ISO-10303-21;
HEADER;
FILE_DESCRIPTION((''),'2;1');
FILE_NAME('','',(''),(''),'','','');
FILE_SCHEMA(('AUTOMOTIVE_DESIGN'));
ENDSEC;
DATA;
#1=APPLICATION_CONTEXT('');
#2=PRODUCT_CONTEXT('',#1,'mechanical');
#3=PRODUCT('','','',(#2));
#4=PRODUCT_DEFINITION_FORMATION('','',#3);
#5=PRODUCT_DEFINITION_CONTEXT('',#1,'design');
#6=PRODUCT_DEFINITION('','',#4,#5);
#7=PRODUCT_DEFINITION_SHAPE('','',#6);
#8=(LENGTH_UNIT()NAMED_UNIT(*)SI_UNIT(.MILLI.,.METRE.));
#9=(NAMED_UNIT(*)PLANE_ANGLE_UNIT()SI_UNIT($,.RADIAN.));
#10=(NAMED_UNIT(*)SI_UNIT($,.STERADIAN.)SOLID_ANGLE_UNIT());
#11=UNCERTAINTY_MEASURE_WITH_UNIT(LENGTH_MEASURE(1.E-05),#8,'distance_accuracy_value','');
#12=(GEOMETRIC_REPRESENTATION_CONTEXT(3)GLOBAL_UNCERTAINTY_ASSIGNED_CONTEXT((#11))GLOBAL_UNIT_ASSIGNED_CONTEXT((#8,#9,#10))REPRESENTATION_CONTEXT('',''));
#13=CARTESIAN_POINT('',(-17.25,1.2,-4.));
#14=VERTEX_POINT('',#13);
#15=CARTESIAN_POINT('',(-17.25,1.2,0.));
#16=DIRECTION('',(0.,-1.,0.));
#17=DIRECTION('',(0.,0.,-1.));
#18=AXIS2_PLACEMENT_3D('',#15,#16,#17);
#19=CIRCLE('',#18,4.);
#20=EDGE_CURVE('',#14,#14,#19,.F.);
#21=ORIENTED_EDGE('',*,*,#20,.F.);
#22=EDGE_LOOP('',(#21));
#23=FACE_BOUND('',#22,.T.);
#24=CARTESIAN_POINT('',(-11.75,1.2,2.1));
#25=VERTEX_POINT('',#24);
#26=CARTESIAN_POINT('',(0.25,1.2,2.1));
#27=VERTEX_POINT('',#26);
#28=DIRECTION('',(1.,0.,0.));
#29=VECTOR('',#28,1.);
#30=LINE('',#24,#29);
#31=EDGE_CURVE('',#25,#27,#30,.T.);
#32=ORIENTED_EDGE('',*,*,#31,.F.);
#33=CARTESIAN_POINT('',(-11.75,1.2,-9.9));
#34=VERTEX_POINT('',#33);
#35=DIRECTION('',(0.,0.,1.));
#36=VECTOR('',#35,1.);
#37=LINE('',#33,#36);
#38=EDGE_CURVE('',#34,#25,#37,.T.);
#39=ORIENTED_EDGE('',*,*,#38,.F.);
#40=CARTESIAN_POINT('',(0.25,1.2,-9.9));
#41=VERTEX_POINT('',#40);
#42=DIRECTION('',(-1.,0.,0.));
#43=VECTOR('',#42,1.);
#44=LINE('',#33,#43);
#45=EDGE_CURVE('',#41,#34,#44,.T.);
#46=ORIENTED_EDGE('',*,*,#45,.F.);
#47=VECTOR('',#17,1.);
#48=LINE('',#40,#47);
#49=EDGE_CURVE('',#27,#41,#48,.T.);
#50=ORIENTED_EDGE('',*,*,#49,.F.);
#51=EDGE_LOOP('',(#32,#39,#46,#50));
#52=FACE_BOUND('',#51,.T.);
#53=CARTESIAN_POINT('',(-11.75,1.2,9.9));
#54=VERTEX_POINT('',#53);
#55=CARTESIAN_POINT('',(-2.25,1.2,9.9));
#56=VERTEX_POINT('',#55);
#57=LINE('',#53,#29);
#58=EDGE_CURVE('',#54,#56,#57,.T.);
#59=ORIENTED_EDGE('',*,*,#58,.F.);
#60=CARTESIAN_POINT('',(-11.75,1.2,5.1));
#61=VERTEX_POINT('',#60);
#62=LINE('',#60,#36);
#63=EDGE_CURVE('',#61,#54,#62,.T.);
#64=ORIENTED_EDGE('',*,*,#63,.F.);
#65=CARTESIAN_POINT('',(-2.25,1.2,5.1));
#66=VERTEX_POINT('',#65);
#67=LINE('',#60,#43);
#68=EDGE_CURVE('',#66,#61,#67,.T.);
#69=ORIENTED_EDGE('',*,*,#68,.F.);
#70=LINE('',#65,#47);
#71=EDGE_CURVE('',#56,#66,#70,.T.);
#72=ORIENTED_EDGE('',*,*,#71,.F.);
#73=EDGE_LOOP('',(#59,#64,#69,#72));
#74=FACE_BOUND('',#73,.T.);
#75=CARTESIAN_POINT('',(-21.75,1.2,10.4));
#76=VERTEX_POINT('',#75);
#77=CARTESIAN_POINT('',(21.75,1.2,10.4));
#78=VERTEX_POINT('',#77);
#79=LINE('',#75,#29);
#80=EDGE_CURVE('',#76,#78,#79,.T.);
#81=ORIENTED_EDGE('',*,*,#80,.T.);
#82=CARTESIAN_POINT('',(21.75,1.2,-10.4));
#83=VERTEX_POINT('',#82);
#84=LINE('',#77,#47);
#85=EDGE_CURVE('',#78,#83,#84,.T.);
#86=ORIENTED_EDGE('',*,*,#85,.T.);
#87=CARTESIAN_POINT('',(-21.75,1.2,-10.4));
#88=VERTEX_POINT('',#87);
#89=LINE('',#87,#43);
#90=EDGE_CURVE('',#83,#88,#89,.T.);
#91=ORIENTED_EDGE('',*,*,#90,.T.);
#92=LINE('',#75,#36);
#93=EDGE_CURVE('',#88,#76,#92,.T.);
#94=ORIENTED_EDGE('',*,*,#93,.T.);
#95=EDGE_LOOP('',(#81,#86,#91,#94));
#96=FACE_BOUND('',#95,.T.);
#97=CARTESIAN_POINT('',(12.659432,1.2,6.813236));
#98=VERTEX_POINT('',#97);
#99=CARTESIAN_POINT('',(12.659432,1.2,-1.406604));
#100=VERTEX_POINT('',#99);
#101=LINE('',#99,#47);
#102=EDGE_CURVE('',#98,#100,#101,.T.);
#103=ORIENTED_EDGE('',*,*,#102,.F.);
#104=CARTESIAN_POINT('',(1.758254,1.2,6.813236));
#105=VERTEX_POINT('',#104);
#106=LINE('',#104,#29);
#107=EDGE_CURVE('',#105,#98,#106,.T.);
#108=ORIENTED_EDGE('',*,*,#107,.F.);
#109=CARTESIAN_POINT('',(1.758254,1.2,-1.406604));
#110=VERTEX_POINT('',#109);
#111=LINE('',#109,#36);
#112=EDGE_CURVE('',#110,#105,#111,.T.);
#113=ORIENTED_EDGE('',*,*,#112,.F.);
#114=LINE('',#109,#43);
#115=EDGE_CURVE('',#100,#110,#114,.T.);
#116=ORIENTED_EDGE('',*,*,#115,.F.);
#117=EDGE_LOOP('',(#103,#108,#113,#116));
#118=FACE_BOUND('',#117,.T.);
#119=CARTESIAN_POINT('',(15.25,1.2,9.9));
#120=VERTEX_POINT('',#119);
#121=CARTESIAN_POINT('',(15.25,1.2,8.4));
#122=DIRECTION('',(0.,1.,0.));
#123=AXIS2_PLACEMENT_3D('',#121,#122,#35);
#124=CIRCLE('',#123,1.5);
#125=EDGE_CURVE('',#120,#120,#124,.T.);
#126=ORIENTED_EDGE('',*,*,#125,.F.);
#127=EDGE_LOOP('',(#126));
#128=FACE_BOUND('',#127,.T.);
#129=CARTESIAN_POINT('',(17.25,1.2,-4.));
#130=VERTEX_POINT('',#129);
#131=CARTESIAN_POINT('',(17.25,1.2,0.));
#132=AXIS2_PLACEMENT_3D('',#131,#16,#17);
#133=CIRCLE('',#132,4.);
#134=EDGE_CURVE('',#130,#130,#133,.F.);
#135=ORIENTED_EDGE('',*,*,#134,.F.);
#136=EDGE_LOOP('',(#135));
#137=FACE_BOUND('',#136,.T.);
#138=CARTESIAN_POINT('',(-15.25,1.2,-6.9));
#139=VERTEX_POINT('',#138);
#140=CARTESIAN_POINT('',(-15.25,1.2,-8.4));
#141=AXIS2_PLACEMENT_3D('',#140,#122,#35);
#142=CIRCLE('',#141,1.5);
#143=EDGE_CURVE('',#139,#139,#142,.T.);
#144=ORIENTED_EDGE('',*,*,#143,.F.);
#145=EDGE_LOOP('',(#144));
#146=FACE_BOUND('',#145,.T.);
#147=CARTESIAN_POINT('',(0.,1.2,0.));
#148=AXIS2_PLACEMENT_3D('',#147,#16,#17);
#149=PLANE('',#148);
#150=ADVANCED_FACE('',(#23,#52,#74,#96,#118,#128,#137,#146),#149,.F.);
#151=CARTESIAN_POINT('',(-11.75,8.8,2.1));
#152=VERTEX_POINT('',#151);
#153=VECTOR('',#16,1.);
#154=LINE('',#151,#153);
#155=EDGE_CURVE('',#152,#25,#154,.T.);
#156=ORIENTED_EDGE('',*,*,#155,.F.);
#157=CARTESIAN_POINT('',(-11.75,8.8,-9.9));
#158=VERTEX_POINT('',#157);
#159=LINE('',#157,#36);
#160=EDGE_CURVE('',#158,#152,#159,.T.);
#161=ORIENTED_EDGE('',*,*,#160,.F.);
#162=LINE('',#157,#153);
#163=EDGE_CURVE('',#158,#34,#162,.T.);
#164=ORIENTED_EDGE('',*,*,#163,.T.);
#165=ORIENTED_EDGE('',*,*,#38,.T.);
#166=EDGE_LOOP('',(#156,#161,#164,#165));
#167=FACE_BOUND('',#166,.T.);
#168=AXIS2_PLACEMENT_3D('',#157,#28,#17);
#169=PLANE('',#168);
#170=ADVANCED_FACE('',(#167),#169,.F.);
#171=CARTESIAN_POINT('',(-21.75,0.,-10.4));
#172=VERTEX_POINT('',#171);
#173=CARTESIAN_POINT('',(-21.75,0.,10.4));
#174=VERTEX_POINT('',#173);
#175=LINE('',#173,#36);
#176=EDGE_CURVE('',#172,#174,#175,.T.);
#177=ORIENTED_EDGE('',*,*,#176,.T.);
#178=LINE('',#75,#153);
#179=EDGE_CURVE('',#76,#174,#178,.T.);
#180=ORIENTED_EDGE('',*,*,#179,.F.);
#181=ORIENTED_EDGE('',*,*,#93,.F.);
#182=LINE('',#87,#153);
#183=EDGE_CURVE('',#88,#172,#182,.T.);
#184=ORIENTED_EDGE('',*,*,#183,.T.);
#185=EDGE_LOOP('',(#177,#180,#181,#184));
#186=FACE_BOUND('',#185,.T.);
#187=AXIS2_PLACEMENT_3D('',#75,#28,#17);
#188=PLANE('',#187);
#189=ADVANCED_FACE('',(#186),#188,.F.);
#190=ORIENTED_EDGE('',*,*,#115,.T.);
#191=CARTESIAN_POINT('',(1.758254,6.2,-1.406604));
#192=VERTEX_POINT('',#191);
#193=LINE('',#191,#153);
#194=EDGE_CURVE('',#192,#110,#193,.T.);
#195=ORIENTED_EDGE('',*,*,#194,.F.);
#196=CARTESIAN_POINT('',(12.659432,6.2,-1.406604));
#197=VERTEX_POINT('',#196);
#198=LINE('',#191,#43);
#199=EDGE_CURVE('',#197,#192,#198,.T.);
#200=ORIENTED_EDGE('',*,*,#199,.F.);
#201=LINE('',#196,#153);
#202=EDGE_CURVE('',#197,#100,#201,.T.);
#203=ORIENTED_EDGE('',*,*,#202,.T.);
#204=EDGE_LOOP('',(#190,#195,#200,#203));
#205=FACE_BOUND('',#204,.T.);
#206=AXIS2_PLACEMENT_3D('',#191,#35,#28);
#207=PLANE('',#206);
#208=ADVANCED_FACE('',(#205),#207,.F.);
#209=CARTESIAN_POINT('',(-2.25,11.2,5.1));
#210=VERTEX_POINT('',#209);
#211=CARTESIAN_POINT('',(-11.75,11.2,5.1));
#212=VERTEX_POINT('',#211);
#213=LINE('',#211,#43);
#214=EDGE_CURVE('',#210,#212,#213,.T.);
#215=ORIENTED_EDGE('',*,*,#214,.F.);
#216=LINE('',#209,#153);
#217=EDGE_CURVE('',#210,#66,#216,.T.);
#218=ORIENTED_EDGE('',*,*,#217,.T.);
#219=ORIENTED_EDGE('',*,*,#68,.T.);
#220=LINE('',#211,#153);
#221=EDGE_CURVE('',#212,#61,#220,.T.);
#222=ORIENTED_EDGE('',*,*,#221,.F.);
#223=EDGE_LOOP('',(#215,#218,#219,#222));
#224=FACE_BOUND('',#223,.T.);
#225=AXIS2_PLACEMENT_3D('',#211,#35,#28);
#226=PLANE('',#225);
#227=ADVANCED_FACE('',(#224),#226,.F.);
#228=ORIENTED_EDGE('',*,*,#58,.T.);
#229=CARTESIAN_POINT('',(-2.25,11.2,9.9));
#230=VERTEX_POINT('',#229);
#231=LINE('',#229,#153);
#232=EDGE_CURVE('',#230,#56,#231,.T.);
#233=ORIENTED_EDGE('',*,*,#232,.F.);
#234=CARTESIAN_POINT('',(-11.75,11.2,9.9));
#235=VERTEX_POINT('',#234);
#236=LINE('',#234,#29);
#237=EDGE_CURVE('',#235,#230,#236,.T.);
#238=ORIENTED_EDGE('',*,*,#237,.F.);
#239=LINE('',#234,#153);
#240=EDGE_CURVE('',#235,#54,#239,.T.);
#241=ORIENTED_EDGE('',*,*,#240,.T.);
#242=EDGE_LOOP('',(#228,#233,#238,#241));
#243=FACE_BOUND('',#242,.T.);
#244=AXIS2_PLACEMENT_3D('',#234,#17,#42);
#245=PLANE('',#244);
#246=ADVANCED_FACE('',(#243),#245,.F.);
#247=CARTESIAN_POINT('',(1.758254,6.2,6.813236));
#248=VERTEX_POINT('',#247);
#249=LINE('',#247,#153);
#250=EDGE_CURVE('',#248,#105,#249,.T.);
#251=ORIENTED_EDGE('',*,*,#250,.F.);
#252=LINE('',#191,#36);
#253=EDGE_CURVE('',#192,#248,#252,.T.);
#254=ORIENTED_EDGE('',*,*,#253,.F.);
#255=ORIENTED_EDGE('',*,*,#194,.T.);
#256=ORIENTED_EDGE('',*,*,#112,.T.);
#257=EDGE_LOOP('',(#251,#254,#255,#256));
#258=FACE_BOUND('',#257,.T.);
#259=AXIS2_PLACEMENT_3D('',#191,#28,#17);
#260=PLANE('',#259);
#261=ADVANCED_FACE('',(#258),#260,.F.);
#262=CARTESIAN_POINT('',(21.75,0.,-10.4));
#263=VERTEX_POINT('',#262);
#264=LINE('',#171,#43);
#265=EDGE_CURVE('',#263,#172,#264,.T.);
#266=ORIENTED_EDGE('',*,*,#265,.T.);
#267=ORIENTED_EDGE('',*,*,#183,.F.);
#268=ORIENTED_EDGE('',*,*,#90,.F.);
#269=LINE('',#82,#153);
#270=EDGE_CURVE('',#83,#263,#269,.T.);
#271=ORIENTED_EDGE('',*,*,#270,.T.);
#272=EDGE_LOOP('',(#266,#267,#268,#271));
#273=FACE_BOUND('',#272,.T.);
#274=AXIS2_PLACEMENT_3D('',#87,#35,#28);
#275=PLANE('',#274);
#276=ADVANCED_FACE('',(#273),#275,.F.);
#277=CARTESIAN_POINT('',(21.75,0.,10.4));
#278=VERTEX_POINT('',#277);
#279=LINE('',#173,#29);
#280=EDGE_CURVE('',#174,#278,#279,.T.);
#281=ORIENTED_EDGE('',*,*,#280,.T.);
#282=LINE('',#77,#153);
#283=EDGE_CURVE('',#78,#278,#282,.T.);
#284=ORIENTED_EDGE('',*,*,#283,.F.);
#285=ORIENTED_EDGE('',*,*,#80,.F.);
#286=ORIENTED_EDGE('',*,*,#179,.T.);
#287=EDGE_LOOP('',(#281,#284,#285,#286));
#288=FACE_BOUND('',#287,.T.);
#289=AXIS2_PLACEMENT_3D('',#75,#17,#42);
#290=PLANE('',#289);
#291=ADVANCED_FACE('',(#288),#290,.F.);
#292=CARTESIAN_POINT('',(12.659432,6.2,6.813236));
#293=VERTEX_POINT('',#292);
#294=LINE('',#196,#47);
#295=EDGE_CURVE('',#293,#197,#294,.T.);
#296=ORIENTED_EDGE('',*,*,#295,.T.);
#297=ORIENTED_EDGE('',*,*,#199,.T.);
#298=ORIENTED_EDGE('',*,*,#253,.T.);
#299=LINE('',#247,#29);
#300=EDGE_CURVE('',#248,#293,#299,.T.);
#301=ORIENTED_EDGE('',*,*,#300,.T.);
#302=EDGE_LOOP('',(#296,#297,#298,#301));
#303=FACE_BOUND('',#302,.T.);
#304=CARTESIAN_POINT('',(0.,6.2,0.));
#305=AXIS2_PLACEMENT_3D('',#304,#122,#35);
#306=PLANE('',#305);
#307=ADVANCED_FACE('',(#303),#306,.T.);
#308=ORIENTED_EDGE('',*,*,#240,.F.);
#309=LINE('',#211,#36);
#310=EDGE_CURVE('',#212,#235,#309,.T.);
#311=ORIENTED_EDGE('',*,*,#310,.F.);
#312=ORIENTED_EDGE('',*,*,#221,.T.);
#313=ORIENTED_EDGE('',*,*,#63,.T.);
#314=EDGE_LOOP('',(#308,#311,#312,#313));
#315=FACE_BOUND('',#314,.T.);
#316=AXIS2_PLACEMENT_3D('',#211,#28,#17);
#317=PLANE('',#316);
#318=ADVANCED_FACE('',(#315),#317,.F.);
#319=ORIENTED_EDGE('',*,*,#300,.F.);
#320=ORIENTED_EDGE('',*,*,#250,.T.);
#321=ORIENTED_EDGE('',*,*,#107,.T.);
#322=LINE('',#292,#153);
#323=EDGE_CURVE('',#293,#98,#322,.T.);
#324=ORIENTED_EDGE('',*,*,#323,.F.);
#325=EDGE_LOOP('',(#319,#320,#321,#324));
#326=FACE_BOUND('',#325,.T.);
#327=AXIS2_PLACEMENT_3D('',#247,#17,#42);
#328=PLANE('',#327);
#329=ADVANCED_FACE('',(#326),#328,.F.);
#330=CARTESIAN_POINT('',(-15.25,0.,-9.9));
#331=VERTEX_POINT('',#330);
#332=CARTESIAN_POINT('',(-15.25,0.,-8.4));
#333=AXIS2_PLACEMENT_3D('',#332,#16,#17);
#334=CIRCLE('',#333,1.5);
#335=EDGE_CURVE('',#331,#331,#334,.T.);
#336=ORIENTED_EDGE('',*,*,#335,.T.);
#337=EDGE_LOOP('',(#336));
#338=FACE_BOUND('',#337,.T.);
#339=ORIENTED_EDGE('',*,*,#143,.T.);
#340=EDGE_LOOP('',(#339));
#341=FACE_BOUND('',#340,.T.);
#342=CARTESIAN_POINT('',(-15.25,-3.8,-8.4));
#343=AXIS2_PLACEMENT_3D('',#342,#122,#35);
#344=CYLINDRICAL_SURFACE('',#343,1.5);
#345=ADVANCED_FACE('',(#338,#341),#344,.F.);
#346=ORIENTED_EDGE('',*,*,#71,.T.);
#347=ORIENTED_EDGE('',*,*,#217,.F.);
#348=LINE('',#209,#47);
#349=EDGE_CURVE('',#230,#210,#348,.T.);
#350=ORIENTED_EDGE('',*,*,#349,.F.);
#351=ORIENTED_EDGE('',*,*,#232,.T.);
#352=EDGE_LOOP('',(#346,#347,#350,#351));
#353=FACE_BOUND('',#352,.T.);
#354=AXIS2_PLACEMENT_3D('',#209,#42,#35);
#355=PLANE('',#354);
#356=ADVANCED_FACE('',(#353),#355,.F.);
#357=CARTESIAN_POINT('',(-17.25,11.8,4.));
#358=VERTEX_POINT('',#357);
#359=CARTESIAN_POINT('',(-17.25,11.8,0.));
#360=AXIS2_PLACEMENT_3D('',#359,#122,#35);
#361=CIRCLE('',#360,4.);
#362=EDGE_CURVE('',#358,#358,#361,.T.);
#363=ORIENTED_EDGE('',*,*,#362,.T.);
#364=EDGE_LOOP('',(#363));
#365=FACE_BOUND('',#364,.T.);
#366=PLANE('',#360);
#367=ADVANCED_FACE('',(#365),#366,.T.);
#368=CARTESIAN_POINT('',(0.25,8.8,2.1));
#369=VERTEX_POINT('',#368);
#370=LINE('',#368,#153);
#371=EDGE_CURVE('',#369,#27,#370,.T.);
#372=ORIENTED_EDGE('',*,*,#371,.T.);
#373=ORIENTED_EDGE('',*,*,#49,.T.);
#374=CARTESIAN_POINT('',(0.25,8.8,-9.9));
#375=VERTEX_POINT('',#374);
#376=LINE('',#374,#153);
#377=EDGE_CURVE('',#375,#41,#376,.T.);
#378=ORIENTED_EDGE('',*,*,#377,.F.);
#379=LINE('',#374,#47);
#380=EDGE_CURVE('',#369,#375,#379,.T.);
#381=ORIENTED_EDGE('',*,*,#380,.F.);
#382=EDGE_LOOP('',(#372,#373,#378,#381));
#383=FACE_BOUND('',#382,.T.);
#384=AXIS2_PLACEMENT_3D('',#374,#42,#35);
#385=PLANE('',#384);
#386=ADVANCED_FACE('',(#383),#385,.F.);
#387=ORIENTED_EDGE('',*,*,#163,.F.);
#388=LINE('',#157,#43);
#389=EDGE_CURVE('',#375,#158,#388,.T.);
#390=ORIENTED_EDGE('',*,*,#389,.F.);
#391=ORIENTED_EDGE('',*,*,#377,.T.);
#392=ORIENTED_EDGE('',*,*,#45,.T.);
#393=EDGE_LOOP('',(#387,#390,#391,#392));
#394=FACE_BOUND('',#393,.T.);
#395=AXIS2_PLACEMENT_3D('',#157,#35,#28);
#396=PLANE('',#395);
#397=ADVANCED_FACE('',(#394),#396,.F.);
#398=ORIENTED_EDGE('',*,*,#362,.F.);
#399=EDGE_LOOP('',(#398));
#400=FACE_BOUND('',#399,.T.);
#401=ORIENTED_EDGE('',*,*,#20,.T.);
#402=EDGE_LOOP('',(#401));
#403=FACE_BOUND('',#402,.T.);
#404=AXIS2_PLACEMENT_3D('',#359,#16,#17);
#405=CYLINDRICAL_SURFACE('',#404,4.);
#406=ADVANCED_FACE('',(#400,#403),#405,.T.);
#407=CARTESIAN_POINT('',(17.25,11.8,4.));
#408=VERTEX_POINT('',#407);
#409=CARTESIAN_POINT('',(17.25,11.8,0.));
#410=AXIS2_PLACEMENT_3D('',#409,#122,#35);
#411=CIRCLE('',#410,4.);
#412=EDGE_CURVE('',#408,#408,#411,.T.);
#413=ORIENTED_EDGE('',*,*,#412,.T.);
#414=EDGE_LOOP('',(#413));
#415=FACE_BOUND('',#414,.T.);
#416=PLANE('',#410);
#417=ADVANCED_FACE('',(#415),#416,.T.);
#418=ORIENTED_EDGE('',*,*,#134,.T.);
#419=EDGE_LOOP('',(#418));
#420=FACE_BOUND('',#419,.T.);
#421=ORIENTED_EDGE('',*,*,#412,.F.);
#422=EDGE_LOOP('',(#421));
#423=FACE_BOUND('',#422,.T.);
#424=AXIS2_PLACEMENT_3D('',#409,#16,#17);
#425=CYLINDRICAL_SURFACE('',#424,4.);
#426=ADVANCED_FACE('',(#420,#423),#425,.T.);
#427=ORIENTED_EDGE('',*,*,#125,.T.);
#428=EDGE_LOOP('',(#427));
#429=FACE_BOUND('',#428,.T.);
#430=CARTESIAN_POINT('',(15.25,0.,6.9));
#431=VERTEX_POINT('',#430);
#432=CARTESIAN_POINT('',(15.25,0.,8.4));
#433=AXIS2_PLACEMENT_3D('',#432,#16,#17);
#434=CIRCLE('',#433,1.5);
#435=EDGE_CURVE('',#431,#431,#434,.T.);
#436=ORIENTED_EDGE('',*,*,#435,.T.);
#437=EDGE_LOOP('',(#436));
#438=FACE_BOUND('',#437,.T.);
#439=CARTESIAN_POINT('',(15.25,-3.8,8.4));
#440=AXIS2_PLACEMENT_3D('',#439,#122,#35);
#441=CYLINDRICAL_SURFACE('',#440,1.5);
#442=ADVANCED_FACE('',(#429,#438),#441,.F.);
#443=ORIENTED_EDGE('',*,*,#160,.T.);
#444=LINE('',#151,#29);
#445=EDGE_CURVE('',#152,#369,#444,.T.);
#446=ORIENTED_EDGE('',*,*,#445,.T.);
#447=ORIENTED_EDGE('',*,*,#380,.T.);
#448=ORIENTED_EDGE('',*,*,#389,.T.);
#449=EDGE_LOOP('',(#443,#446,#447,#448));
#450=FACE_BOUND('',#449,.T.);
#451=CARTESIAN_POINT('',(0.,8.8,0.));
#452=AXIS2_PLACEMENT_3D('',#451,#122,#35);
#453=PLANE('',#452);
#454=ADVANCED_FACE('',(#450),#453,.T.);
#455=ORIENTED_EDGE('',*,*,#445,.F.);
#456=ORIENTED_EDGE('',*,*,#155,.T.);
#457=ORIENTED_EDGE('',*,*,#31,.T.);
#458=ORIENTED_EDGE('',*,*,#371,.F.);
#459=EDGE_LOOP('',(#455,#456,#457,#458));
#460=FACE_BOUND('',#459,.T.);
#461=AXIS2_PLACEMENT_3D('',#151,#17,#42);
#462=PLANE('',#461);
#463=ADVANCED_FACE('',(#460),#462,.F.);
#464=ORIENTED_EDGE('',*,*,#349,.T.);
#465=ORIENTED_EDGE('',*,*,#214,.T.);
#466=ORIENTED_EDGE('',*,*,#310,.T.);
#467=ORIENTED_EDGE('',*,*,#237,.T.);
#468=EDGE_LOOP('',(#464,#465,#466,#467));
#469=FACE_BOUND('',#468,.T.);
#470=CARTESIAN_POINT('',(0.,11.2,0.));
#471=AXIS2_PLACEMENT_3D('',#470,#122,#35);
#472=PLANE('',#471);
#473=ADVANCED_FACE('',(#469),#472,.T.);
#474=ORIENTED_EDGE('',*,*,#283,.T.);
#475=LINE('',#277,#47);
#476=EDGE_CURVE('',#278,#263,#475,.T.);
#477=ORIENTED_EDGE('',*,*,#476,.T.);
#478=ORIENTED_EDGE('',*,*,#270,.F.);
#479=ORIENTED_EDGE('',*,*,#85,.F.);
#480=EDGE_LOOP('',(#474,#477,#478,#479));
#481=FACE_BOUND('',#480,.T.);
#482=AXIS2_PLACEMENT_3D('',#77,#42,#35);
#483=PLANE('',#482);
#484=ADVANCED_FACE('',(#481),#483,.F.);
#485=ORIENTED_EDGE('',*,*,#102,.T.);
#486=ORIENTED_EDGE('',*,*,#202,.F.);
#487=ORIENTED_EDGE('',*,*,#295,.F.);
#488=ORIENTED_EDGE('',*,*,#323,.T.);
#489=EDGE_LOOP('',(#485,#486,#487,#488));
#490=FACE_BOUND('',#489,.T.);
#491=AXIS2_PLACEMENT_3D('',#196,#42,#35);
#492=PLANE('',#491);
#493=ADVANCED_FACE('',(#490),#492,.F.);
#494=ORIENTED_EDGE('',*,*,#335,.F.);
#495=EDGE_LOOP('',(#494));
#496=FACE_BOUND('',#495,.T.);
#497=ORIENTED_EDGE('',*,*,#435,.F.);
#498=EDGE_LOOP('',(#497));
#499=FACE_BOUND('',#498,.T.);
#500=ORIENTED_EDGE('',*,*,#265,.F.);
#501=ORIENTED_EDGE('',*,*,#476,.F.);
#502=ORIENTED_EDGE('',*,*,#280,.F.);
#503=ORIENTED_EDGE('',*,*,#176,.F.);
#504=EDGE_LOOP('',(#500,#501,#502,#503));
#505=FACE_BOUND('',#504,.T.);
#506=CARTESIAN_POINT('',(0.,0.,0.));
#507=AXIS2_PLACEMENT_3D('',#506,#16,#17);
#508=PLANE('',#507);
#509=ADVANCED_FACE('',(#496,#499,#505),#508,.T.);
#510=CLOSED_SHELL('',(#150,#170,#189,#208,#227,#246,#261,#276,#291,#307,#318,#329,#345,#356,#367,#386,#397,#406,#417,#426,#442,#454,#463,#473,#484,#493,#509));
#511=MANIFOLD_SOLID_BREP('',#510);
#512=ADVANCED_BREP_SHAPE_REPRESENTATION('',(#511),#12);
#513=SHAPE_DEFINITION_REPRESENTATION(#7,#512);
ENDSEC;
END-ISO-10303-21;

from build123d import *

# Parameters (mm, degrees)
SKETCH_1_W          = 43.5
SKETCH_1_H          = 20.8
EXTRUDE_1_DEPTH     = 1.2
SKETCH_2_W          = 12
SKETCH_2_H          = 12
EXTRUDE_2_DEPTH     = 7.6
SKETCH_3_R          = 4
EXTRUDE_3_DEPTH     = 10.6
SKETCH_4_W          = 9.5
SKETCH_4_H          = 4.8
EXTRUDE_4_DEPTH     = 10
SKETCH_5_W          = 10.901177872
SKETCH_5_H          = 8.219839766
EXTRUDE_5_DEPTH     = 5
SKETCH_6_R          = 1.5
CUT_EXTRUDE_1_DEPTH = 5


with BuildPart() as part:
    # 草图1 → 凸台-拉伸1 (new body)
    with BuildSketch(Plane(origin=(0, 0, 0), x_dir=(1, 0, 0), z_dir=(0, 1, 0))):
        Rectangle(SKETCH_1_W, SKETCH_1_H)
    extrude(amount=EXTRUDE_1_DEPTH)

    # 草图2 → 凸台-拉伸2 (add)
    with BuildSketch(Plane(origin=(0, 1.2, 0), x_dir=(1, 0, 0), z_dir=(0, 1, 0))):
        with Locations((-5.75, 3.9)):
            Rectangle(SKETCH_2_W, SKETCH_2_H)
    extrude(amount=EXTRUDE_2_DEPTH)

    # 草图3 → 凸台-拉伸3 (add)
    with BuildSketch(Plane(origin=(0, 1.2, 0), x_dir=(1, 0, 0), z_dir=(0, 1, 0))):
        with Locations(Location((-17.25, 0, 0), (0, 0, 90))):
            Circle(SKETCH_3_R)
        with Locations(Location((17.25, 0, 0), (0, 0, 90))):
            Circle(SKETCH_3_R)
    extrude(amount=EXTRUDE_3_DEPTH)

    # 草图4 → 凸台-拉伸4 (add)
    with BuildSketch(Plane(origin=(0, 1.2, 0), x_dir=(1, 0, 0), z_dir=(0, 1, 0))):
        with Locations((-7, -7.5)):
            Rectangle(SKETCH_4_W, SKETCH_4_H)
    extrude(amount=EXTRUDE_4_DEPTH)

    # 草图5 → 凸台-拉伸5 (add)
    with BuildSketch(Plane(origin=(0, 1.2, 0), x_dir=(1, 0, 0), z_dir=(0, 1, 0))):
        with Locations((7.208843432, -2.703316287)):
            Rectangle(SKETCH_5_W, SKETCH_5_H)
    extrude(amount=EXTRUDE_5_DEPTH)

    # 草图6 → 切除-拉伸1 (cut)
    with BuildSketch(Plane(origin=(0, 1.2, 0), x_dir=(1, 0, 0), z_dir=(0, 1, 0))):
        with Locations(Location((15.25, -8.4, 0), (0, 0, 270))):
            Circle(SKETCH_6_R)
        with Locations(Location((-15.25, 8.4, 0), (0, 0, 270))):
            Circle(SKETCH_6_R)
    extrude(amount=-CUT_EXTRUDE_1_DEPTH, mode=Mode.SUBTRACT)


solid = part.part
